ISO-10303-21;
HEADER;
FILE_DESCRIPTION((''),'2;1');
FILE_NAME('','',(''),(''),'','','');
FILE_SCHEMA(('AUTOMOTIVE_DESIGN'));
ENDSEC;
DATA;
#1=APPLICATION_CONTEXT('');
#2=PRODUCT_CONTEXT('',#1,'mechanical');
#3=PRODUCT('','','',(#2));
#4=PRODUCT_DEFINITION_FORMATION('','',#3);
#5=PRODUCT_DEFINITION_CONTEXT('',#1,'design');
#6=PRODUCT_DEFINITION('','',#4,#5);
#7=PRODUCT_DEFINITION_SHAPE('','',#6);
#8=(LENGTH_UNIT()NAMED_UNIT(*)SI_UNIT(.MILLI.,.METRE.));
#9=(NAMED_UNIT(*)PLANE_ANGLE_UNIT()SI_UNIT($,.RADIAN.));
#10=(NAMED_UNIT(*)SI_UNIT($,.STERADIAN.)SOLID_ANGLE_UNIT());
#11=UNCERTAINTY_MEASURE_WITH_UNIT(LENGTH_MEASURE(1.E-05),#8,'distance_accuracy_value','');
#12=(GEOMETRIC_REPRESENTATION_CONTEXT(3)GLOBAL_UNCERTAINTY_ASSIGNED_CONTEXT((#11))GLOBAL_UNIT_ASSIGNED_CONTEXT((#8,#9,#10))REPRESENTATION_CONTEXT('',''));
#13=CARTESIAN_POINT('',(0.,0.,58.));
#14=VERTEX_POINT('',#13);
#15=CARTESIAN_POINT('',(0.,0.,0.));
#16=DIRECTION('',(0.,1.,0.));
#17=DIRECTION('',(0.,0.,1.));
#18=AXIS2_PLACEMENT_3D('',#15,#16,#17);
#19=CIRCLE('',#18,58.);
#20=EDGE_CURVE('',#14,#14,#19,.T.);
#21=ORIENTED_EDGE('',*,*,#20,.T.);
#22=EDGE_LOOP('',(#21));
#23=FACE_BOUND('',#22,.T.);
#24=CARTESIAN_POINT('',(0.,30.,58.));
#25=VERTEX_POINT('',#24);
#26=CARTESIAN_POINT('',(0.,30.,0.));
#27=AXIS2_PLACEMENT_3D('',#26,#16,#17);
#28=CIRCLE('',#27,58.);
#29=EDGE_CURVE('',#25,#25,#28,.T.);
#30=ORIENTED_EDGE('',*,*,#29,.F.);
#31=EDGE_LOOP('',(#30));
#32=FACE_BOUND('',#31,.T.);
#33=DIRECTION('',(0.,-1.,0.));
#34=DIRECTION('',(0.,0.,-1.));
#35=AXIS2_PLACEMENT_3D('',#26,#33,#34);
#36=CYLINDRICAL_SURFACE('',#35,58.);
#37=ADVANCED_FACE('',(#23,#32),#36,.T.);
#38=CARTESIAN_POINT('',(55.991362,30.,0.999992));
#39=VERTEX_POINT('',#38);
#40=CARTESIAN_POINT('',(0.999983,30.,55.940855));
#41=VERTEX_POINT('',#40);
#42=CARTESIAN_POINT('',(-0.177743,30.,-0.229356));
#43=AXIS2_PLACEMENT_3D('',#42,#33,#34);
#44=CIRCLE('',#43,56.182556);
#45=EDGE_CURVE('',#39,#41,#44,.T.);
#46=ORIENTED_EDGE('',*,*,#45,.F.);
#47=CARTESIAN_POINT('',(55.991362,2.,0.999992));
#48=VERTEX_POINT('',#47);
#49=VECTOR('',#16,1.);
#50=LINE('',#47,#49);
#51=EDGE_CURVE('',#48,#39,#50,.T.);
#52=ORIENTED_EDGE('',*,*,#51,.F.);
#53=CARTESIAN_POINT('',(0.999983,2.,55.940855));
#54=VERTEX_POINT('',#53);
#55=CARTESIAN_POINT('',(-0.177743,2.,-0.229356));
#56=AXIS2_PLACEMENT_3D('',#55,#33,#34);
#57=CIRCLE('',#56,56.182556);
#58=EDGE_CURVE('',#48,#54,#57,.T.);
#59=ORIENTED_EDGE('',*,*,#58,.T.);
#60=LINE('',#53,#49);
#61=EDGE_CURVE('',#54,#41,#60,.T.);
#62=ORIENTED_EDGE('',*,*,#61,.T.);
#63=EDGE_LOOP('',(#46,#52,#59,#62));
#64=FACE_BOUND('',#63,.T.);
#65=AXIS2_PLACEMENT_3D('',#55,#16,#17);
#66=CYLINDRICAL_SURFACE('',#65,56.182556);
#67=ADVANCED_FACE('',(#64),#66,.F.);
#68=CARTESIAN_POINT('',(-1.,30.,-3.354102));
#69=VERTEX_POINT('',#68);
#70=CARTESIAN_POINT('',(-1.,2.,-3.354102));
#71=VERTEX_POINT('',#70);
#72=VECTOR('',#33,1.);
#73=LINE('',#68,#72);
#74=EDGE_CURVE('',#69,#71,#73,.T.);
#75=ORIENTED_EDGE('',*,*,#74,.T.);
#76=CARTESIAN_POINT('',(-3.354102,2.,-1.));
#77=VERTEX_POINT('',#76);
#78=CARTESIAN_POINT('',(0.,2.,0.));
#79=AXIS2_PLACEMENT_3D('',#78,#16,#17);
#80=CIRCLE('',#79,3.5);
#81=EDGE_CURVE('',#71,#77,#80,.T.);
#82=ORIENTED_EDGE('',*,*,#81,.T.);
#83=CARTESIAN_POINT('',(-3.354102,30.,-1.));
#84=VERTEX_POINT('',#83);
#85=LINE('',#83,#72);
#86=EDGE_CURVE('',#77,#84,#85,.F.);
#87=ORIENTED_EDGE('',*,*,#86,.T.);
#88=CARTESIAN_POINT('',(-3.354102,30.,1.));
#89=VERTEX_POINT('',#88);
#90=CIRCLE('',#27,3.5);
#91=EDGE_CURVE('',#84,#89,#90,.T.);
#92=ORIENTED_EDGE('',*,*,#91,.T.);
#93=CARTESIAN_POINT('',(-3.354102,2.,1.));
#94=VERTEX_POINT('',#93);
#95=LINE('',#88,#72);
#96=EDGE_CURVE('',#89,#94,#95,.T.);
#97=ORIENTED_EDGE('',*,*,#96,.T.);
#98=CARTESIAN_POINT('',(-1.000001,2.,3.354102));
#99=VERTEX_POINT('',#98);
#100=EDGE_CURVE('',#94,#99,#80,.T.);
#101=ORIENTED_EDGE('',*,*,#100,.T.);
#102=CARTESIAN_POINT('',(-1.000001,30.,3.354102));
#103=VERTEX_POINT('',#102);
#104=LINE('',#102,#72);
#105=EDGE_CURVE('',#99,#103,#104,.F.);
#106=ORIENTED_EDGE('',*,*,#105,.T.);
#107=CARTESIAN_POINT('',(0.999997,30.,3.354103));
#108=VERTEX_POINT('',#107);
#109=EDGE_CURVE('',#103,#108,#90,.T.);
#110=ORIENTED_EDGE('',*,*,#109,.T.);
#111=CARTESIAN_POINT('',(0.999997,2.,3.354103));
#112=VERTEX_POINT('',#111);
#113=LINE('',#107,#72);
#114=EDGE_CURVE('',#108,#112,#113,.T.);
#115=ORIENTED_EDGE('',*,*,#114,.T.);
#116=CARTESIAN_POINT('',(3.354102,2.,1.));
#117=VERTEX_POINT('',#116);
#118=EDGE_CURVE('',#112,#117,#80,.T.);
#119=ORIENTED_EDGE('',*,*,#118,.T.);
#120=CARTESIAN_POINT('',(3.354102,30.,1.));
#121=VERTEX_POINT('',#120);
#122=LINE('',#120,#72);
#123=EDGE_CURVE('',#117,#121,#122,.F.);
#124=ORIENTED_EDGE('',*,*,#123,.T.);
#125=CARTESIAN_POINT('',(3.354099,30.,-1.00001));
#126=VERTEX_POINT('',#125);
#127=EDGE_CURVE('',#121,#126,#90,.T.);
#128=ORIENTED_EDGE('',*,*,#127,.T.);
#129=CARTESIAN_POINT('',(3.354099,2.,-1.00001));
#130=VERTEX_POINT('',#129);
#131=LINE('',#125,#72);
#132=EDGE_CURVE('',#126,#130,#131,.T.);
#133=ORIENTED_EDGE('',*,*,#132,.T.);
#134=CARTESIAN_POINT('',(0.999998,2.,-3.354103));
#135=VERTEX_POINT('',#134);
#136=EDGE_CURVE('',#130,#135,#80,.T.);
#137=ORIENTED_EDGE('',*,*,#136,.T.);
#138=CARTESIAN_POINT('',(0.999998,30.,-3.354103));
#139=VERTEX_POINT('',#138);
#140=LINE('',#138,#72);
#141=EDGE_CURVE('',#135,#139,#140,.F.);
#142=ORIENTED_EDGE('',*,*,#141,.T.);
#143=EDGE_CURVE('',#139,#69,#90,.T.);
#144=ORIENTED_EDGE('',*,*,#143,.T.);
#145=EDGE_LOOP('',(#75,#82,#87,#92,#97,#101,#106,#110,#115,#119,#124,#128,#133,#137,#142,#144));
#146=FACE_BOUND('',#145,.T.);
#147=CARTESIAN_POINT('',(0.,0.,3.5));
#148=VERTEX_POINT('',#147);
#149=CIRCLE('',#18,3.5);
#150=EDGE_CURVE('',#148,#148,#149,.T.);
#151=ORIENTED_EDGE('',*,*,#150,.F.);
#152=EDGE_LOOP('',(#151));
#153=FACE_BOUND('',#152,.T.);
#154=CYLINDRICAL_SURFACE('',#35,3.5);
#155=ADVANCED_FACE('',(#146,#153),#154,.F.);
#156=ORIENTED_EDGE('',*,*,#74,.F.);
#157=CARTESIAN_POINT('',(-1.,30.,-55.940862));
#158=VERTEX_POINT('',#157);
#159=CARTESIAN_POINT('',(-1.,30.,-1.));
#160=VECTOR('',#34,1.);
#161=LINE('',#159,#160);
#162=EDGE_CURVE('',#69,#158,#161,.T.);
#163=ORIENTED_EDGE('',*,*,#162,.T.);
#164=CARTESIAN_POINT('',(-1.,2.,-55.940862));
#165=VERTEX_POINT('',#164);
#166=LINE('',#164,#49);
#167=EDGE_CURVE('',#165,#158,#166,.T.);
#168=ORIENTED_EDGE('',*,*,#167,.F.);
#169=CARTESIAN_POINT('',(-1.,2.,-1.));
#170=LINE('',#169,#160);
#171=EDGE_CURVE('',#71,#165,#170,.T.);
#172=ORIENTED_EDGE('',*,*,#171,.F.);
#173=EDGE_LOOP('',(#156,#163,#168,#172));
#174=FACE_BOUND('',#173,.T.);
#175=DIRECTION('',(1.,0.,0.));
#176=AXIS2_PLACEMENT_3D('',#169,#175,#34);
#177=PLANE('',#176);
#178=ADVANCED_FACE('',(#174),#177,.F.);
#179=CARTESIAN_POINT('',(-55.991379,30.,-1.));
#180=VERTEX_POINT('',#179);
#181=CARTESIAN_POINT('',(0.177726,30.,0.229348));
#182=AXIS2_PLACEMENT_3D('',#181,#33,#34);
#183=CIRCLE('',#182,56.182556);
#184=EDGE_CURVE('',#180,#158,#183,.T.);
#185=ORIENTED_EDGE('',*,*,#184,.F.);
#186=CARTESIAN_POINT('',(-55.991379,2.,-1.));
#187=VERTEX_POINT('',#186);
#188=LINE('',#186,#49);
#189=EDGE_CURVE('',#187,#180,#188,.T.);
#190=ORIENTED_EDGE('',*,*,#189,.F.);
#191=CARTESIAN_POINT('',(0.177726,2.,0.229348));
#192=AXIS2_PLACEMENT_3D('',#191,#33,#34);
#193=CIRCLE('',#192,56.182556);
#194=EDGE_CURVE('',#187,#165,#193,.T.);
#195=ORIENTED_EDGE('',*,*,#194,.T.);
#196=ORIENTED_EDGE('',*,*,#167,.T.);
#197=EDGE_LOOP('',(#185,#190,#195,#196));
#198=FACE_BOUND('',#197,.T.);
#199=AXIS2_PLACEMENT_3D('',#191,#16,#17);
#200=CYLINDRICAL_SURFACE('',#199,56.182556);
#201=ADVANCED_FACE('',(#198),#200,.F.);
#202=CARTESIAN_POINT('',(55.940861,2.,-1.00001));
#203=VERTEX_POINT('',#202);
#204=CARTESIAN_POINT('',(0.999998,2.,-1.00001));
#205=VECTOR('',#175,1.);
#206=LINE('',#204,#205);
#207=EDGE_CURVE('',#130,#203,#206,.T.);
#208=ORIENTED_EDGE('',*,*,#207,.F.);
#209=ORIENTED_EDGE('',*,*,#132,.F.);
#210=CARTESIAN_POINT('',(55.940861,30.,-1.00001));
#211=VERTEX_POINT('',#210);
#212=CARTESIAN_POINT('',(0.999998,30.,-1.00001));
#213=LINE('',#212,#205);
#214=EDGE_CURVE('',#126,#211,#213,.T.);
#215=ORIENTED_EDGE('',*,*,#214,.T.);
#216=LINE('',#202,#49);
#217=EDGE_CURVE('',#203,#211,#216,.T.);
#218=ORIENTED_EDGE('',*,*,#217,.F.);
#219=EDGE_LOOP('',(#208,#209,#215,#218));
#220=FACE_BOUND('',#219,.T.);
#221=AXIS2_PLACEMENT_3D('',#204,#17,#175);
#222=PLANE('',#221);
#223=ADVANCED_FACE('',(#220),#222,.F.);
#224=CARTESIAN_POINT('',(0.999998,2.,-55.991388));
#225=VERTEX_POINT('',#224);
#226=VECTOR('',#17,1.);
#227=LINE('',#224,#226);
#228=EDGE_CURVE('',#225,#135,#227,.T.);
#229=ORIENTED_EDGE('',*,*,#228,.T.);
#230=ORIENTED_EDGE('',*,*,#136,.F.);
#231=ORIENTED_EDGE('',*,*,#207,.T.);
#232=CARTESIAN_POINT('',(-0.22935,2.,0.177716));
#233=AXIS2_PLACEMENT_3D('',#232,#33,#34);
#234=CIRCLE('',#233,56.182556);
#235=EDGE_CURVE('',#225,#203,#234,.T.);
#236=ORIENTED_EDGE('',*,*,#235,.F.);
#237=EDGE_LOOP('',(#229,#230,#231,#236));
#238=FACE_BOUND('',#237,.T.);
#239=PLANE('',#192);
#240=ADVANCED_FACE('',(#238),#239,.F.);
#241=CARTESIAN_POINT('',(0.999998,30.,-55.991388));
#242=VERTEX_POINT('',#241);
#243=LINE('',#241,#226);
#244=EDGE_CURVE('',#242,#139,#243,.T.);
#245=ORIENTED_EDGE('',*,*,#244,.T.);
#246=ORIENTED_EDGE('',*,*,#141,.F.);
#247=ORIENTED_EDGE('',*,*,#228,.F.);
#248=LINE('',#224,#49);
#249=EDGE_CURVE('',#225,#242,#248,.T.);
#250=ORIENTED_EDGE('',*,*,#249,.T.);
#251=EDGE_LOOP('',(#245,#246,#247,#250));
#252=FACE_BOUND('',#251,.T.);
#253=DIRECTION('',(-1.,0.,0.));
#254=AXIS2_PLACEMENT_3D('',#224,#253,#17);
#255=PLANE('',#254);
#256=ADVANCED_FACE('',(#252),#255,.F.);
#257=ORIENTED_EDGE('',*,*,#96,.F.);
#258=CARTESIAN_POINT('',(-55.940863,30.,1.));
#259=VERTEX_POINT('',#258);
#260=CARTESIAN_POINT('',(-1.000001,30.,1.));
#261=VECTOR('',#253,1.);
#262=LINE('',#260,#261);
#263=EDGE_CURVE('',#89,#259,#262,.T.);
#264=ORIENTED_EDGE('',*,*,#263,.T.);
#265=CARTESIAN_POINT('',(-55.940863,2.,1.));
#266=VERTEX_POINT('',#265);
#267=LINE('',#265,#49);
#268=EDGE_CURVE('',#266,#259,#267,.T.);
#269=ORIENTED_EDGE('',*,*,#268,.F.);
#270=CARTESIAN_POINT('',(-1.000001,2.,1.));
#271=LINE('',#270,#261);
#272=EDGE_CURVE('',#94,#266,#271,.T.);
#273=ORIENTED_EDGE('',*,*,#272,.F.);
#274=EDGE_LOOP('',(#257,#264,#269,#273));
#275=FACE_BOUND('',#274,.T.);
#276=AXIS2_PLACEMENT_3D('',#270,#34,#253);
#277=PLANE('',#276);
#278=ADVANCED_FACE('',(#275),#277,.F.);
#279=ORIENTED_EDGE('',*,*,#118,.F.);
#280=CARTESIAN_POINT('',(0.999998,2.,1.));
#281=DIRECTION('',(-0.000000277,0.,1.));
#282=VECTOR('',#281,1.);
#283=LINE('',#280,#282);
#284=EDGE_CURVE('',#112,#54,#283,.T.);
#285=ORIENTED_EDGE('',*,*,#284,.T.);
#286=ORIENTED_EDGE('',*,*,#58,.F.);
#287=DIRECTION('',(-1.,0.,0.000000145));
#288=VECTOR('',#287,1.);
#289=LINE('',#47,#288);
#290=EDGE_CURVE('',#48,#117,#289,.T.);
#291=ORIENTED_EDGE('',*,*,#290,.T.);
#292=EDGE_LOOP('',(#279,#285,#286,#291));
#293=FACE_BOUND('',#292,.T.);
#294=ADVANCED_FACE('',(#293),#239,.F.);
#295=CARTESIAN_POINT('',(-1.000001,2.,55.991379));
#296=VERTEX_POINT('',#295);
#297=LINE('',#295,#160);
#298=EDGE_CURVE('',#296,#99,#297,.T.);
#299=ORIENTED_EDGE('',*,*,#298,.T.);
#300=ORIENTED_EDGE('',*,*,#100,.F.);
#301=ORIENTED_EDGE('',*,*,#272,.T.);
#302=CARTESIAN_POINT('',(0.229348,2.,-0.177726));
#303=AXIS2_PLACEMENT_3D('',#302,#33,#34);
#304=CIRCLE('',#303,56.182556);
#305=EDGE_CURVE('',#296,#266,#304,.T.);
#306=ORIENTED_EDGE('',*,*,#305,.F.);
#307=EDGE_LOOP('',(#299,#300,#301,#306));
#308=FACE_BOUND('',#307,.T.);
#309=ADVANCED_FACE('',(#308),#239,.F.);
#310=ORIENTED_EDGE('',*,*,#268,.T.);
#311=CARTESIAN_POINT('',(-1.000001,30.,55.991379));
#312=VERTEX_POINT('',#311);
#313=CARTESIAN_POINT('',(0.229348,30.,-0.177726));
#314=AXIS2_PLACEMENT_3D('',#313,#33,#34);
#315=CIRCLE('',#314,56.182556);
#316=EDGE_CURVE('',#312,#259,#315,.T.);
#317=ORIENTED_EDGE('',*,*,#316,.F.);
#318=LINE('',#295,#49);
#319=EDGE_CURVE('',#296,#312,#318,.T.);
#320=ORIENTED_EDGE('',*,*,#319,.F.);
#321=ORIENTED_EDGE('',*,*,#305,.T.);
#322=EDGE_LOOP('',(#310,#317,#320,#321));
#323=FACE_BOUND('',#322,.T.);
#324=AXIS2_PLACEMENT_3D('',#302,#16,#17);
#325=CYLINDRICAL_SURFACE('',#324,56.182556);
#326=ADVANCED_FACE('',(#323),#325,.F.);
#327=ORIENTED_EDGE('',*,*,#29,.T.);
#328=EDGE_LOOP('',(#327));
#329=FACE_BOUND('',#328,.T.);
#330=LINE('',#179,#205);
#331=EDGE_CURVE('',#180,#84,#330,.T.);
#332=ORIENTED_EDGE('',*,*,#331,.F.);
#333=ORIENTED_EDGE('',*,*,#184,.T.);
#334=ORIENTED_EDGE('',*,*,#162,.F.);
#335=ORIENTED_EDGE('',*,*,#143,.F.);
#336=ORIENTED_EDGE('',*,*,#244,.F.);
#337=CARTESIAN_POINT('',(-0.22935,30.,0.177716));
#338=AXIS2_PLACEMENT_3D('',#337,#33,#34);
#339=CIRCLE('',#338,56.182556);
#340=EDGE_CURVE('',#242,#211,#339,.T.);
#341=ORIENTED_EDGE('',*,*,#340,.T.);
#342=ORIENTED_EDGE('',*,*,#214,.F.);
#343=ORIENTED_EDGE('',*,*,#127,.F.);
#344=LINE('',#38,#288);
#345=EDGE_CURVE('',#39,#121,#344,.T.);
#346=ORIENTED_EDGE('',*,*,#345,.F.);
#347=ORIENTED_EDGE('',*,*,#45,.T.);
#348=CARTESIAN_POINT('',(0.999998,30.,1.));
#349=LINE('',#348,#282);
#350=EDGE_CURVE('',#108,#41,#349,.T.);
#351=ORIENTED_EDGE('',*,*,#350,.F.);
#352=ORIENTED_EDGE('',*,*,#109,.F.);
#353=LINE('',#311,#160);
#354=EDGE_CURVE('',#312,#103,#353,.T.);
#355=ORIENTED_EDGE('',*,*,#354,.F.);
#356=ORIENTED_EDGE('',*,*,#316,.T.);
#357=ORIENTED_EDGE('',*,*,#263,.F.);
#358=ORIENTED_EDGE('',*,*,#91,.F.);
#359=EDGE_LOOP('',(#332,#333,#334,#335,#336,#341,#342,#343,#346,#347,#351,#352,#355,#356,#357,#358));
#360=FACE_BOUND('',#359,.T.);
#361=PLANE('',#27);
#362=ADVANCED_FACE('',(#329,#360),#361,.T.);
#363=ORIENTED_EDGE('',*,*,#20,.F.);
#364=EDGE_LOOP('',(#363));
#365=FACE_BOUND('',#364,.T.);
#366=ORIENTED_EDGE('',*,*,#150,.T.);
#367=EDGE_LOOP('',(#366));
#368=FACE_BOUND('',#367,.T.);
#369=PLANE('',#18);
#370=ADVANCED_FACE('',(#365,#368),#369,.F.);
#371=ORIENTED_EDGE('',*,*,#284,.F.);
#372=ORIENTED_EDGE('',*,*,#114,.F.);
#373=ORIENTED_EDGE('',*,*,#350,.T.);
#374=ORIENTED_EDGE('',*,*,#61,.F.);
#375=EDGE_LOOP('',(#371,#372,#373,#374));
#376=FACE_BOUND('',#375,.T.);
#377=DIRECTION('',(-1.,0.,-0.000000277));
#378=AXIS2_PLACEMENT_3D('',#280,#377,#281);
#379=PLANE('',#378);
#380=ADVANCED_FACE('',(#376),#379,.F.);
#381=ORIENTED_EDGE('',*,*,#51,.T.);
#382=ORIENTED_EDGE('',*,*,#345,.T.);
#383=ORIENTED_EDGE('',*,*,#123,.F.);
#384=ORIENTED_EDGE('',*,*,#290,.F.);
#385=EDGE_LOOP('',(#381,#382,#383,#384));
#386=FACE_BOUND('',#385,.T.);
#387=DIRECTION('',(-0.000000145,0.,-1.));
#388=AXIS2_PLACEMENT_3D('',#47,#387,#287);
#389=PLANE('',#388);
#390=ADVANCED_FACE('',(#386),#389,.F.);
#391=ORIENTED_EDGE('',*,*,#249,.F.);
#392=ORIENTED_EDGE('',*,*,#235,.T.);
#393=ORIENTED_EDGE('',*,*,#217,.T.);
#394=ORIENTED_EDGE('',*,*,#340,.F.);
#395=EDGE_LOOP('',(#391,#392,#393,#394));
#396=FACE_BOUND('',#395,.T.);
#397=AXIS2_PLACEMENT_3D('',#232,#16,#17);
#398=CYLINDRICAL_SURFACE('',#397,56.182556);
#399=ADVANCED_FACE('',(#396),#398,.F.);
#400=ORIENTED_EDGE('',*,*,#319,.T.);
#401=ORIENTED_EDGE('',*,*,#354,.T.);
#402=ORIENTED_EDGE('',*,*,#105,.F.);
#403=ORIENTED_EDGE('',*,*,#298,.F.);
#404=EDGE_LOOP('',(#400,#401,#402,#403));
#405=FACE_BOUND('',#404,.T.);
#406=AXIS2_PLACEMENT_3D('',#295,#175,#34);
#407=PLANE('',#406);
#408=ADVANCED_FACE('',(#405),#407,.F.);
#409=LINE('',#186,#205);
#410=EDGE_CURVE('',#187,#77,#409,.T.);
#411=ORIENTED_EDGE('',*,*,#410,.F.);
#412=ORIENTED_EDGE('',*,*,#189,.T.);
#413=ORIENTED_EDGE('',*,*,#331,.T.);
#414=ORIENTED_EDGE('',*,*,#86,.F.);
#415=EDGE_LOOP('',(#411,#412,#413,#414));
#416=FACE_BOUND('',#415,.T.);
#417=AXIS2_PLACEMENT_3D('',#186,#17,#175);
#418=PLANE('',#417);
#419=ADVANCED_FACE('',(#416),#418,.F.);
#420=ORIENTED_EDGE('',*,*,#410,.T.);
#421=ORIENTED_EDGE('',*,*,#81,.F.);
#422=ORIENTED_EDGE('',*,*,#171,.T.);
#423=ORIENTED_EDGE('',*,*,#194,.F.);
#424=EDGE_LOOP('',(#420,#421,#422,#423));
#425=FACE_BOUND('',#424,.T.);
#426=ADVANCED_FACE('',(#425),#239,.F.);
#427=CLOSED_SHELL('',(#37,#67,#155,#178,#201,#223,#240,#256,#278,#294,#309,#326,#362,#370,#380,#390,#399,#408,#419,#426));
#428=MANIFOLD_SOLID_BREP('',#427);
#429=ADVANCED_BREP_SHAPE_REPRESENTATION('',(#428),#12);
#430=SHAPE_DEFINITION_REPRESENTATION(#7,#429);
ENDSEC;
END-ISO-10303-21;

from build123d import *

# Parameters (mm, degrees)
ESQUISSE2_R              = 58
BOSS_EXTRU_2_DEPTH       = 30
ENL_V_MAT_EXTRU_2_DEPTH  = 28
ENL_V_MAT_EXTRU_3_DEPTH  = 28
ENL_V_MAT_EXTRU_8_DEPTH  = 28
ENL_V_MAT_EXTRU_10_DEPTH = 28
ESQUISSE18_R             = 3
ENL_V_MAT_EXTRU_11_DEPTH = 30
ESQUISSE21_R             = 3.5
ENL_V_MAT_EXTRU_13_DEPTH = 28
ENL_V_START              = -10
ESQUISSE22_R             = 3.5
ENL_V_MAT_EXTRU_14_DEPTH = 10


with BuildPart() as part:
    # Esquisse2 → Boss.-Extru.2 (new body)
    with BuildSketch(Plane(origin=(0, 0, 0), x_dir=(1, 0, 0), z_dir=(0, 1, 0))):
        with Locations(Location((0, 0, 0), (0, 0, 270))):
            Circle(ESQUISSE2_R)
    extrude(amount=BOSS_EXTRU_2_DEPTH)

    # Esquisse3 → Enlèv. mat.-Extru.2 (cut)
    with BuildSketch(Plane(origin=(0, 30, 0), x_dir=(1, 0, 0), z_dir=(0, 1, 0))):
        with BuildLine():
            Line((-55.99137867, 1), (-1, 1))
            Line((-1, 1), (-1, 55.940862442))
            ThreePointArc((-1, 55.940862442), (-39.531080805, 39.515969353), (-55.99137867, 1))
        make_face()
    extrude(amount=-ENL_V_MAT_EXTRU_2_DEPTH, mode=Mode.SUBTRACT)

    # Esquisse5 → Enlèv. mat.-Extru.3 (cut)
    with BuildSketch(Plane(origin=(0, 30, 0), x_dir=(1, 0, 0), z_dir=(0, 1, 0))):
        with BuildLine():
            Line((0.999998069, 55.991388398), (0.999998069, 1.000009729))
            Line((0.999998069, 1.000009729), (55.940860512, 1.000009729))
            ThreePointArc((55.940860512, 1.000009729), (39.515967422, 39.531090534), (0.999998069, 55.991388398))
        make_face()
    extrude(amount=-ENL_V_MAT_EXTRU_3_DEPTH, mode=Mode.SUBTRACT)

    # Esquisse14 → Enlèv. mat.-Extru.8 (cut)
    with BuildSketch(Plane(origin=(0, 30, 0), x_dir=(1, 0, 0), z_dir=(0, 1, 0))):
        with BuildLine():
            Line((-1.000000805, -55.991378782), (-1.000000805, -1.000000112))
            Line((-1.000000805, -1.000000112), (-55.940863247, -1.000000112))
            ThreePointArc((-55.940863247, -1.000000112), (-39.515970158, -39.531080917), (-1.000000805, -55.991378782))
        make_face()
    extrude(amount=-ENL_V_MAT_EXTRU_8_DEPTH, mode=Mode.SUBTRACT)

    # Esquisse17 → Enlèv. mat.-Extru.10 (cut)
    with BuildSketch(Plane(origin=(0, 30, 0), x_dir=(1, 0, 0), z_dir=(0, 1, 0))):
        with BuildLine():
            Line((55.991361526, -0.999992166), (0.999998069, -1.000000112))
            Line((0.999998069, -1.000000112), (0.999982856, -55.940854608))
            ThreePointArc((0.999982856, -55.940854608), (39.531063661, -39.515961519), (55.991361526, -0.999992166))
        make_face()
    extrude(amount=-ENL_V_MAT_EXTRU_10_DEPTH, mode=Mode.SUBTRACT)

    # Esquisse18 → Enlèv. mat.-Extru.11 (cut)
    with BuildSketch(Plane.XZ):
        with Locations(Location((0, 0, 0), (0, 0, 270))):
            Circle(ESQUISSE18_R)
    extrude(amount=-ENL_V_MAT_EXTRU_11_DEPTH, mode=Mode.SUBTRACT)

    # Esquisse21 → Enlèv. mat.-Extru.13 (cut)
    with BuildSketch(Plane(origin=(0, 2, 0), x_dir=(1, 0, 0), z_dir=(0, 1, 0))):
        Circle(ESQUISSE21_R)
    extrude(amount=ENL_V_MAT_EXTRU_13_DEPTH, mode=Mode.SUBTRACT)

    # Esquisse22 → Enlèv. mat.-Extru.14 (cut)
    with BuildSketch(Plane(origin=(0, 2, 0), x_dir=(1, 0, 0), z_dir=(0, 1, 0)).offset(ENL_V_START)):
        with Locations(Location((0, 0, 0), (0, 0, 73.398483382))):
            Circle(ESQUISSE22_R)
    extrude(amount=ENL_V_MAT_EXTRU_14_DEPTH, mode=Mode.SUBTRACT)


solid = part.part
